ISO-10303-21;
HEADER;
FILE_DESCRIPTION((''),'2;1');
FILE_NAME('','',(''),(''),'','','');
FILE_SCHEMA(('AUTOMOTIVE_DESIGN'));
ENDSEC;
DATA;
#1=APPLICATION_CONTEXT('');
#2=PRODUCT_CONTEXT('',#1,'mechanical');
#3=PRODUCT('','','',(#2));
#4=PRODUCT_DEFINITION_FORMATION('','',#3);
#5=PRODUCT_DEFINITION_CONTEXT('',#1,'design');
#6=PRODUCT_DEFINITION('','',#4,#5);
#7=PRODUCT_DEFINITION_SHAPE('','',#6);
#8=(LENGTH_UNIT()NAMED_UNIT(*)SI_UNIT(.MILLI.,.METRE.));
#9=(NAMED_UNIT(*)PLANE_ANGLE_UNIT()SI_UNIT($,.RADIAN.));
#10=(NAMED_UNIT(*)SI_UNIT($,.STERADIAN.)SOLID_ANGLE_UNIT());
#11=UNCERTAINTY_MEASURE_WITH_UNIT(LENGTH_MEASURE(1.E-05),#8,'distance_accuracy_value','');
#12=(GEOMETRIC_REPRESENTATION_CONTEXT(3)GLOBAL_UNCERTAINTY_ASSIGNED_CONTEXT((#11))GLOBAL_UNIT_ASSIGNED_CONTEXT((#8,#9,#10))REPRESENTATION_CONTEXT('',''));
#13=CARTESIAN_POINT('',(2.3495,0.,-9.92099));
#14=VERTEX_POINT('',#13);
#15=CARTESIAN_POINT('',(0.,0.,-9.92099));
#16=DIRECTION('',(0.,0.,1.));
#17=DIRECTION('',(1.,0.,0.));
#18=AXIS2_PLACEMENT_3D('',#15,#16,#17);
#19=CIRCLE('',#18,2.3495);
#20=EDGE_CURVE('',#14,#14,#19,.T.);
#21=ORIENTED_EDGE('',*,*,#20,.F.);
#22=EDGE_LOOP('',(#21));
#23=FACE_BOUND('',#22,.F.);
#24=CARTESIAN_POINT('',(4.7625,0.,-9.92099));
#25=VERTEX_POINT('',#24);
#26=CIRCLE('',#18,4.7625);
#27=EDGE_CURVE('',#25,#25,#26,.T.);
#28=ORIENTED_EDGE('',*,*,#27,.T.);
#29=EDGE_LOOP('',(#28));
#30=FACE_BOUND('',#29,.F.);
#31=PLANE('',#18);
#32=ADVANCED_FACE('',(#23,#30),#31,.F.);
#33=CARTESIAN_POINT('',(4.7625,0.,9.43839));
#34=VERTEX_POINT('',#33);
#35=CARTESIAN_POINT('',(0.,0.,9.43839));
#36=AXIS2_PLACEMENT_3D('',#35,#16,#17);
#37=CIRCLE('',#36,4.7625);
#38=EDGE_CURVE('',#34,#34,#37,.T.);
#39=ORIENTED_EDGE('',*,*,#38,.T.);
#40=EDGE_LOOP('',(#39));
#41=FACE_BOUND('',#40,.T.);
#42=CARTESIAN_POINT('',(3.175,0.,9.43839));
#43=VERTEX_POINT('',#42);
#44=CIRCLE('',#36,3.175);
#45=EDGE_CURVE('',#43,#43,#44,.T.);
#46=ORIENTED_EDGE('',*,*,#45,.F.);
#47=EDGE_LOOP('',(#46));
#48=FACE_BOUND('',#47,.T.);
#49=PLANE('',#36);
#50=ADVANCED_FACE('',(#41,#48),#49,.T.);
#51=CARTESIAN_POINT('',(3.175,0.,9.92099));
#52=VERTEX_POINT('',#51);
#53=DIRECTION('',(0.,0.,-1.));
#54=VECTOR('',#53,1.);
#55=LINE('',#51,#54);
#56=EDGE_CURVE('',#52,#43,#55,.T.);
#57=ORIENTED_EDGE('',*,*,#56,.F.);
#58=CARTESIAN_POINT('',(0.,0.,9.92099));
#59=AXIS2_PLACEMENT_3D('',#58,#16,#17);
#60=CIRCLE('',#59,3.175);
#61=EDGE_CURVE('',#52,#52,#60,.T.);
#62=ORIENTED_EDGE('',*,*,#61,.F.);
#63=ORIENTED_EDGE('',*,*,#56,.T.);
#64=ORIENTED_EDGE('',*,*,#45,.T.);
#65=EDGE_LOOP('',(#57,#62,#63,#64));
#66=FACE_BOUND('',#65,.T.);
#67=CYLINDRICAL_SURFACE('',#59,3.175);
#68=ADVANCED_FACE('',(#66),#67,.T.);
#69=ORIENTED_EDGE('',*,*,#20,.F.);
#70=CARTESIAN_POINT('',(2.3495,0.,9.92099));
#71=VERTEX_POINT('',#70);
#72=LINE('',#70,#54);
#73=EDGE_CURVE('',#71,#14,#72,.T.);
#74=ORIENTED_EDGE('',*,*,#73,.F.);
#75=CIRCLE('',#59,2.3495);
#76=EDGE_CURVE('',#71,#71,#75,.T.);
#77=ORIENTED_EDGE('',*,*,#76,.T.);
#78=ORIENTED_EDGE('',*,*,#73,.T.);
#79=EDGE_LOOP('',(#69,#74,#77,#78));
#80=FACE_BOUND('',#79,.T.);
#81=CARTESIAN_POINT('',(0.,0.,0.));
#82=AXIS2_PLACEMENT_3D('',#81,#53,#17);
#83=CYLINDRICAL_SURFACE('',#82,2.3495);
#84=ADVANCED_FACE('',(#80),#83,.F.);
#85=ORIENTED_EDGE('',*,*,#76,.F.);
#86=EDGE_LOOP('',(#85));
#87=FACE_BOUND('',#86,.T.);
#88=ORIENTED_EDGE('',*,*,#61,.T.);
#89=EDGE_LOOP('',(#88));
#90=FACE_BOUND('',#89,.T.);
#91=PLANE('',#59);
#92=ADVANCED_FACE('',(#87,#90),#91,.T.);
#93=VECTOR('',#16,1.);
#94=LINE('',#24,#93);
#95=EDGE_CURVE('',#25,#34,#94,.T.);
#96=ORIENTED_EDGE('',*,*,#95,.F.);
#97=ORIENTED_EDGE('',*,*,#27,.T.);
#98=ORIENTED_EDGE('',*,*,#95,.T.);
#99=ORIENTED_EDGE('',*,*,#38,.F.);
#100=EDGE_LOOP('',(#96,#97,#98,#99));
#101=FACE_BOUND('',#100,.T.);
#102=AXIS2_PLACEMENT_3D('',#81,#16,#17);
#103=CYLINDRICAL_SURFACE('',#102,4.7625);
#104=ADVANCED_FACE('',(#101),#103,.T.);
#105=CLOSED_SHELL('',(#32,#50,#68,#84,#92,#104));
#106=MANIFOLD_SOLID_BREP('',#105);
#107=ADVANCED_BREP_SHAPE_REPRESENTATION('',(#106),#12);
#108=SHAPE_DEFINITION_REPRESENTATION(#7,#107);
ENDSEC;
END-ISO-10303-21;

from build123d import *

# Parameters (mm, degrees)
F0_R     = 4.7625
F0_R_2   = 2.3495
F1_DEPTH = 9.92099
F2_R     = 4.7625
F2_R_2   = 3.175
F3_DEPTH = 0.4826


with BuildPart() as f1:
    # F0 (on Top) → F1 (new body, symmetric)
    with BuildSketch(Plane.XY):
        Circle(F0_R)
        Circle(F0_R_2, mode=Mode.SUBTRACT)
    extrude(amount=F1_DEPTH, both=True)

    # F2 (on face) → F3 (cut)
    with BuildSketch(Plane.XY.offset(9.92099)):
        Circle(F2_R)
        Circle(F2_R_2, mode=Mode.SUBTRACT)
    extrude(amount=-F3_DEPTH, mode=Mode.SUBTRACT)


solid = f1.part
